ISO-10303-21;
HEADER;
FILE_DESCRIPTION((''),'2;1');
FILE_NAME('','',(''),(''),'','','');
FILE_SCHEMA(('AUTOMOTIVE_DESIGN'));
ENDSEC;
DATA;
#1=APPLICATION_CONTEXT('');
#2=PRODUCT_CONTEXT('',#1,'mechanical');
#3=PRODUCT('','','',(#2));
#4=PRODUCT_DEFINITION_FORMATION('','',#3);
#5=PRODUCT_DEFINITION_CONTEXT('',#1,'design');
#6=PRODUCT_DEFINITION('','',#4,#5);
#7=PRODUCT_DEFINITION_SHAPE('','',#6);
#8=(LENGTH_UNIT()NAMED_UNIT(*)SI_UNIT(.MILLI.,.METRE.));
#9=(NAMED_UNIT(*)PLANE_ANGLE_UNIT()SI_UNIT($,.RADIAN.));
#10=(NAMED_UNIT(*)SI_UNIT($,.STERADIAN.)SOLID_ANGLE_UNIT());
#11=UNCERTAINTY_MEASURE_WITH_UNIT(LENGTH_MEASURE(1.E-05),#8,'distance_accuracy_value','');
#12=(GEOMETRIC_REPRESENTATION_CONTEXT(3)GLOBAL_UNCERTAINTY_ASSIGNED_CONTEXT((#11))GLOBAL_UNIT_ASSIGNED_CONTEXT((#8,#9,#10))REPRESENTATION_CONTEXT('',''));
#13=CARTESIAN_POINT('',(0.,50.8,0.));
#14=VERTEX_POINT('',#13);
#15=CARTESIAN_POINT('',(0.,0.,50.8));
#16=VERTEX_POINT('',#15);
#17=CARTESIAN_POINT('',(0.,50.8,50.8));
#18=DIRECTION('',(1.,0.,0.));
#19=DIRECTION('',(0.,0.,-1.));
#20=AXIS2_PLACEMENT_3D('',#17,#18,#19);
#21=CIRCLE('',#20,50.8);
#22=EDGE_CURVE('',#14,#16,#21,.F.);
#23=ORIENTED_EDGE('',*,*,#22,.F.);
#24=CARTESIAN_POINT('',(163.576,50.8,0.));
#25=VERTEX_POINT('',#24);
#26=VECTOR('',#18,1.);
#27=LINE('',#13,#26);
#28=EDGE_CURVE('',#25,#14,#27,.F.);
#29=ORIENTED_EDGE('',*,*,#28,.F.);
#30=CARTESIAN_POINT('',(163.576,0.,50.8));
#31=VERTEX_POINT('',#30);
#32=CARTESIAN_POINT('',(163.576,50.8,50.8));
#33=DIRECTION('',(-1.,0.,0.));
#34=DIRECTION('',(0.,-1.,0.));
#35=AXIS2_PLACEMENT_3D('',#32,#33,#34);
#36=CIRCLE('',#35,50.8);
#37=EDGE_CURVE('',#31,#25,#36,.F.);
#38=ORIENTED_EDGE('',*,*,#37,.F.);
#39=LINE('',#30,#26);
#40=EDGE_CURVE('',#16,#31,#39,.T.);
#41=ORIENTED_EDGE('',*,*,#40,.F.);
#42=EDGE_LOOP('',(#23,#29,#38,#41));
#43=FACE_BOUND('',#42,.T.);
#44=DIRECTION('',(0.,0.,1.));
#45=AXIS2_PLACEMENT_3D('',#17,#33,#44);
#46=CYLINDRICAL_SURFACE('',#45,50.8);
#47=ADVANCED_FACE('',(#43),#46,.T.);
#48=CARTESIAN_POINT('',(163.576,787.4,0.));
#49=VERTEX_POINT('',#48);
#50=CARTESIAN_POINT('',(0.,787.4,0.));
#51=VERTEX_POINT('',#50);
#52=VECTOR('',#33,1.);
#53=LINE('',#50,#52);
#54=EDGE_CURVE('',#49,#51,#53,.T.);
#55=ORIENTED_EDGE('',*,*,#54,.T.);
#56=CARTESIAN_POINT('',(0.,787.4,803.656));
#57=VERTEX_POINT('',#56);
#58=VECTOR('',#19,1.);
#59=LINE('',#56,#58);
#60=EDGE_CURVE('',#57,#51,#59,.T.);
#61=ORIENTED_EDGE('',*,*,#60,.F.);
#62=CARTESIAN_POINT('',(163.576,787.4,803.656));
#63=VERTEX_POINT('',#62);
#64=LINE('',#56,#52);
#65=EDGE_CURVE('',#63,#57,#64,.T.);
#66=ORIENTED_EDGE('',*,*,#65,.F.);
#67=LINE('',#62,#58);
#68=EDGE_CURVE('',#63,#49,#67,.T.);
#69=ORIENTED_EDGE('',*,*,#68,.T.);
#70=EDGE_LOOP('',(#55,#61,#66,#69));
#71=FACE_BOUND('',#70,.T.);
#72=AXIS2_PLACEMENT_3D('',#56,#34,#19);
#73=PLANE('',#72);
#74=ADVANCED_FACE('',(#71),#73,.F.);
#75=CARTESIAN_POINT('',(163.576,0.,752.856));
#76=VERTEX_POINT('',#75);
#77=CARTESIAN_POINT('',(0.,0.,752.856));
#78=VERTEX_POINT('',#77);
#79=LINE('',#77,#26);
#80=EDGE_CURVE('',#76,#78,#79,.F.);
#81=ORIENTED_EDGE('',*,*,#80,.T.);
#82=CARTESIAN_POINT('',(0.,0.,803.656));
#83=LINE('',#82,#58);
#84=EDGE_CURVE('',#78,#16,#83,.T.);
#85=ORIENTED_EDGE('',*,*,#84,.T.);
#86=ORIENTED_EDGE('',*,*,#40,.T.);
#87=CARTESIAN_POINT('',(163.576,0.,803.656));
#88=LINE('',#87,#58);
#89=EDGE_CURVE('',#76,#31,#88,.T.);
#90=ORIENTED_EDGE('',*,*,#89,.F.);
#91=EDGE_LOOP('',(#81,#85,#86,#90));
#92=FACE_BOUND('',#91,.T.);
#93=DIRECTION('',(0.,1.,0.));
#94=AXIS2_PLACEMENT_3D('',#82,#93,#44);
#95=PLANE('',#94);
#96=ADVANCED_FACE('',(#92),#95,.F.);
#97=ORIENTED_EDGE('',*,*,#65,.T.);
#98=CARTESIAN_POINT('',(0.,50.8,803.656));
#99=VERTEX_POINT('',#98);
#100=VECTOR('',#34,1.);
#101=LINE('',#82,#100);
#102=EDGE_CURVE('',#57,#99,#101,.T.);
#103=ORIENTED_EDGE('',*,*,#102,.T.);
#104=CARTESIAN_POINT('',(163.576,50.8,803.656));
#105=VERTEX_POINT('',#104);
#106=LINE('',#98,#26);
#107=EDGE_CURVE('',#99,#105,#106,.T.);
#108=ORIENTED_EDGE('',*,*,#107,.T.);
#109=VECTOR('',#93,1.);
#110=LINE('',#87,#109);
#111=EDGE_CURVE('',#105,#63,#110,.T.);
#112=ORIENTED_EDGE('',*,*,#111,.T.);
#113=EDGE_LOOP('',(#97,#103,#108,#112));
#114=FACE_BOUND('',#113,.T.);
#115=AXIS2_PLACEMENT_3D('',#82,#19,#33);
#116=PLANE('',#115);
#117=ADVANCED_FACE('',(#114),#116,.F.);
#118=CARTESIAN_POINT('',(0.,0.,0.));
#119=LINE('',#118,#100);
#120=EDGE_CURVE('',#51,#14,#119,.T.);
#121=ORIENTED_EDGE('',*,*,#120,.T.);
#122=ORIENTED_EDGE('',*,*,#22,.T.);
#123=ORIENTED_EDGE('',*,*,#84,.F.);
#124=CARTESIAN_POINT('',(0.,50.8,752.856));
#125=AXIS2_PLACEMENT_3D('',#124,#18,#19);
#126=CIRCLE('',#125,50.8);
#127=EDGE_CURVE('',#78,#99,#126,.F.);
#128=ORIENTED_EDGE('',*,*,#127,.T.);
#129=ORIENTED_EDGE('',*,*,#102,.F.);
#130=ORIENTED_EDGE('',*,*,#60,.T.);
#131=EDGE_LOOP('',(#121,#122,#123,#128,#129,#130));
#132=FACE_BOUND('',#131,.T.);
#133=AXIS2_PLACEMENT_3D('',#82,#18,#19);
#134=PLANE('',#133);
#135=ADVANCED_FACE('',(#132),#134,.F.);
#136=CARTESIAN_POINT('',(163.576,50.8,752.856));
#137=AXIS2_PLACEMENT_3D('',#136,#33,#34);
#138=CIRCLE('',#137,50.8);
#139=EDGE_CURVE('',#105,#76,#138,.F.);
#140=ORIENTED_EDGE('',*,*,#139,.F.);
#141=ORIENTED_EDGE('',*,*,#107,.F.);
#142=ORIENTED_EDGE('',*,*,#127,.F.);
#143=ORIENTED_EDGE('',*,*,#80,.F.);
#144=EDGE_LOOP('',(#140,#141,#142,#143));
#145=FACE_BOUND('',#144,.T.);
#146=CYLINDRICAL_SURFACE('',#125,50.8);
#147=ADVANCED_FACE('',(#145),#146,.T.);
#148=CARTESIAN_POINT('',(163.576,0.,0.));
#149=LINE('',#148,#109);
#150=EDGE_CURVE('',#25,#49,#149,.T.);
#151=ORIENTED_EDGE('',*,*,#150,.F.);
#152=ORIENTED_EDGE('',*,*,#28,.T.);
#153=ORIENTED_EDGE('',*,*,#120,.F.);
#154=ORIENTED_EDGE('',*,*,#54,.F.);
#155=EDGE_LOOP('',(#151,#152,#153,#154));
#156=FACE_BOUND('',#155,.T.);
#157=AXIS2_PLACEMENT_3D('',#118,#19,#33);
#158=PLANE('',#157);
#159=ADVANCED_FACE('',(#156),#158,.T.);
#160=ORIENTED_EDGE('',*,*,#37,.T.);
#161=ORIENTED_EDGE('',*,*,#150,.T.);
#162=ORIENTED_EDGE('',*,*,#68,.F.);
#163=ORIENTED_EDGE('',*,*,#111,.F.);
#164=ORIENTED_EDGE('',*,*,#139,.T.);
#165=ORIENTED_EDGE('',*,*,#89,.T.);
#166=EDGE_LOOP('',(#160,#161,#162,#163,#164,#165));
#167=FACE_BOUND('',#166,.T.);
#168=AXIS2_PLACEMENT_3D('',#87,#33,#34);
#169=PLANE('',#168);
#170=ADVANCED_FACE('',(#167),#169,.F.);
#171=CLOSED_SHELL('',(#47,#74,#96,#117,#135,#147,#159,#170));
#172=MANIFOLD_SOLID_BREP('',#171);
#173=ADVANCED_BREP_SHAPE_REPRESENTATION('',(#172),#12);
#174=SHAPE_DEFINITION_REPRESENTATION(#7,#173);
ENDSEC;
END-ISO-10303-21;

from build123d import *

# Parameters (mm, degrees)
SKETCH2_W           = 163.576
SKETCH2_H           = 787.4
BOSS_EXTRUDE1_DEPTH = 803.656
FILLET1_R           = 50.8


with BuildPart() as part:
    # Sketch2 → Boss-Extrude1 (new body)
    with BuildSketch(Plane.XY):
        with Locations((81.788, 393.7)):
            Rectangle(SKETCH2_W, SKETCH2_H)
    extrude(amount=BOSS_EXTRUDE1_DEPTH)

    # Fillet1
    fillet1_edges = [part.edges().sort_by_distance(p)[0] for p in [
        (81.788, 0, 0),
        (81.788, 0, 803.656),
    ]]
    fillet(fillet1_edges, radius=FILLET1_R)


solid = part.part
